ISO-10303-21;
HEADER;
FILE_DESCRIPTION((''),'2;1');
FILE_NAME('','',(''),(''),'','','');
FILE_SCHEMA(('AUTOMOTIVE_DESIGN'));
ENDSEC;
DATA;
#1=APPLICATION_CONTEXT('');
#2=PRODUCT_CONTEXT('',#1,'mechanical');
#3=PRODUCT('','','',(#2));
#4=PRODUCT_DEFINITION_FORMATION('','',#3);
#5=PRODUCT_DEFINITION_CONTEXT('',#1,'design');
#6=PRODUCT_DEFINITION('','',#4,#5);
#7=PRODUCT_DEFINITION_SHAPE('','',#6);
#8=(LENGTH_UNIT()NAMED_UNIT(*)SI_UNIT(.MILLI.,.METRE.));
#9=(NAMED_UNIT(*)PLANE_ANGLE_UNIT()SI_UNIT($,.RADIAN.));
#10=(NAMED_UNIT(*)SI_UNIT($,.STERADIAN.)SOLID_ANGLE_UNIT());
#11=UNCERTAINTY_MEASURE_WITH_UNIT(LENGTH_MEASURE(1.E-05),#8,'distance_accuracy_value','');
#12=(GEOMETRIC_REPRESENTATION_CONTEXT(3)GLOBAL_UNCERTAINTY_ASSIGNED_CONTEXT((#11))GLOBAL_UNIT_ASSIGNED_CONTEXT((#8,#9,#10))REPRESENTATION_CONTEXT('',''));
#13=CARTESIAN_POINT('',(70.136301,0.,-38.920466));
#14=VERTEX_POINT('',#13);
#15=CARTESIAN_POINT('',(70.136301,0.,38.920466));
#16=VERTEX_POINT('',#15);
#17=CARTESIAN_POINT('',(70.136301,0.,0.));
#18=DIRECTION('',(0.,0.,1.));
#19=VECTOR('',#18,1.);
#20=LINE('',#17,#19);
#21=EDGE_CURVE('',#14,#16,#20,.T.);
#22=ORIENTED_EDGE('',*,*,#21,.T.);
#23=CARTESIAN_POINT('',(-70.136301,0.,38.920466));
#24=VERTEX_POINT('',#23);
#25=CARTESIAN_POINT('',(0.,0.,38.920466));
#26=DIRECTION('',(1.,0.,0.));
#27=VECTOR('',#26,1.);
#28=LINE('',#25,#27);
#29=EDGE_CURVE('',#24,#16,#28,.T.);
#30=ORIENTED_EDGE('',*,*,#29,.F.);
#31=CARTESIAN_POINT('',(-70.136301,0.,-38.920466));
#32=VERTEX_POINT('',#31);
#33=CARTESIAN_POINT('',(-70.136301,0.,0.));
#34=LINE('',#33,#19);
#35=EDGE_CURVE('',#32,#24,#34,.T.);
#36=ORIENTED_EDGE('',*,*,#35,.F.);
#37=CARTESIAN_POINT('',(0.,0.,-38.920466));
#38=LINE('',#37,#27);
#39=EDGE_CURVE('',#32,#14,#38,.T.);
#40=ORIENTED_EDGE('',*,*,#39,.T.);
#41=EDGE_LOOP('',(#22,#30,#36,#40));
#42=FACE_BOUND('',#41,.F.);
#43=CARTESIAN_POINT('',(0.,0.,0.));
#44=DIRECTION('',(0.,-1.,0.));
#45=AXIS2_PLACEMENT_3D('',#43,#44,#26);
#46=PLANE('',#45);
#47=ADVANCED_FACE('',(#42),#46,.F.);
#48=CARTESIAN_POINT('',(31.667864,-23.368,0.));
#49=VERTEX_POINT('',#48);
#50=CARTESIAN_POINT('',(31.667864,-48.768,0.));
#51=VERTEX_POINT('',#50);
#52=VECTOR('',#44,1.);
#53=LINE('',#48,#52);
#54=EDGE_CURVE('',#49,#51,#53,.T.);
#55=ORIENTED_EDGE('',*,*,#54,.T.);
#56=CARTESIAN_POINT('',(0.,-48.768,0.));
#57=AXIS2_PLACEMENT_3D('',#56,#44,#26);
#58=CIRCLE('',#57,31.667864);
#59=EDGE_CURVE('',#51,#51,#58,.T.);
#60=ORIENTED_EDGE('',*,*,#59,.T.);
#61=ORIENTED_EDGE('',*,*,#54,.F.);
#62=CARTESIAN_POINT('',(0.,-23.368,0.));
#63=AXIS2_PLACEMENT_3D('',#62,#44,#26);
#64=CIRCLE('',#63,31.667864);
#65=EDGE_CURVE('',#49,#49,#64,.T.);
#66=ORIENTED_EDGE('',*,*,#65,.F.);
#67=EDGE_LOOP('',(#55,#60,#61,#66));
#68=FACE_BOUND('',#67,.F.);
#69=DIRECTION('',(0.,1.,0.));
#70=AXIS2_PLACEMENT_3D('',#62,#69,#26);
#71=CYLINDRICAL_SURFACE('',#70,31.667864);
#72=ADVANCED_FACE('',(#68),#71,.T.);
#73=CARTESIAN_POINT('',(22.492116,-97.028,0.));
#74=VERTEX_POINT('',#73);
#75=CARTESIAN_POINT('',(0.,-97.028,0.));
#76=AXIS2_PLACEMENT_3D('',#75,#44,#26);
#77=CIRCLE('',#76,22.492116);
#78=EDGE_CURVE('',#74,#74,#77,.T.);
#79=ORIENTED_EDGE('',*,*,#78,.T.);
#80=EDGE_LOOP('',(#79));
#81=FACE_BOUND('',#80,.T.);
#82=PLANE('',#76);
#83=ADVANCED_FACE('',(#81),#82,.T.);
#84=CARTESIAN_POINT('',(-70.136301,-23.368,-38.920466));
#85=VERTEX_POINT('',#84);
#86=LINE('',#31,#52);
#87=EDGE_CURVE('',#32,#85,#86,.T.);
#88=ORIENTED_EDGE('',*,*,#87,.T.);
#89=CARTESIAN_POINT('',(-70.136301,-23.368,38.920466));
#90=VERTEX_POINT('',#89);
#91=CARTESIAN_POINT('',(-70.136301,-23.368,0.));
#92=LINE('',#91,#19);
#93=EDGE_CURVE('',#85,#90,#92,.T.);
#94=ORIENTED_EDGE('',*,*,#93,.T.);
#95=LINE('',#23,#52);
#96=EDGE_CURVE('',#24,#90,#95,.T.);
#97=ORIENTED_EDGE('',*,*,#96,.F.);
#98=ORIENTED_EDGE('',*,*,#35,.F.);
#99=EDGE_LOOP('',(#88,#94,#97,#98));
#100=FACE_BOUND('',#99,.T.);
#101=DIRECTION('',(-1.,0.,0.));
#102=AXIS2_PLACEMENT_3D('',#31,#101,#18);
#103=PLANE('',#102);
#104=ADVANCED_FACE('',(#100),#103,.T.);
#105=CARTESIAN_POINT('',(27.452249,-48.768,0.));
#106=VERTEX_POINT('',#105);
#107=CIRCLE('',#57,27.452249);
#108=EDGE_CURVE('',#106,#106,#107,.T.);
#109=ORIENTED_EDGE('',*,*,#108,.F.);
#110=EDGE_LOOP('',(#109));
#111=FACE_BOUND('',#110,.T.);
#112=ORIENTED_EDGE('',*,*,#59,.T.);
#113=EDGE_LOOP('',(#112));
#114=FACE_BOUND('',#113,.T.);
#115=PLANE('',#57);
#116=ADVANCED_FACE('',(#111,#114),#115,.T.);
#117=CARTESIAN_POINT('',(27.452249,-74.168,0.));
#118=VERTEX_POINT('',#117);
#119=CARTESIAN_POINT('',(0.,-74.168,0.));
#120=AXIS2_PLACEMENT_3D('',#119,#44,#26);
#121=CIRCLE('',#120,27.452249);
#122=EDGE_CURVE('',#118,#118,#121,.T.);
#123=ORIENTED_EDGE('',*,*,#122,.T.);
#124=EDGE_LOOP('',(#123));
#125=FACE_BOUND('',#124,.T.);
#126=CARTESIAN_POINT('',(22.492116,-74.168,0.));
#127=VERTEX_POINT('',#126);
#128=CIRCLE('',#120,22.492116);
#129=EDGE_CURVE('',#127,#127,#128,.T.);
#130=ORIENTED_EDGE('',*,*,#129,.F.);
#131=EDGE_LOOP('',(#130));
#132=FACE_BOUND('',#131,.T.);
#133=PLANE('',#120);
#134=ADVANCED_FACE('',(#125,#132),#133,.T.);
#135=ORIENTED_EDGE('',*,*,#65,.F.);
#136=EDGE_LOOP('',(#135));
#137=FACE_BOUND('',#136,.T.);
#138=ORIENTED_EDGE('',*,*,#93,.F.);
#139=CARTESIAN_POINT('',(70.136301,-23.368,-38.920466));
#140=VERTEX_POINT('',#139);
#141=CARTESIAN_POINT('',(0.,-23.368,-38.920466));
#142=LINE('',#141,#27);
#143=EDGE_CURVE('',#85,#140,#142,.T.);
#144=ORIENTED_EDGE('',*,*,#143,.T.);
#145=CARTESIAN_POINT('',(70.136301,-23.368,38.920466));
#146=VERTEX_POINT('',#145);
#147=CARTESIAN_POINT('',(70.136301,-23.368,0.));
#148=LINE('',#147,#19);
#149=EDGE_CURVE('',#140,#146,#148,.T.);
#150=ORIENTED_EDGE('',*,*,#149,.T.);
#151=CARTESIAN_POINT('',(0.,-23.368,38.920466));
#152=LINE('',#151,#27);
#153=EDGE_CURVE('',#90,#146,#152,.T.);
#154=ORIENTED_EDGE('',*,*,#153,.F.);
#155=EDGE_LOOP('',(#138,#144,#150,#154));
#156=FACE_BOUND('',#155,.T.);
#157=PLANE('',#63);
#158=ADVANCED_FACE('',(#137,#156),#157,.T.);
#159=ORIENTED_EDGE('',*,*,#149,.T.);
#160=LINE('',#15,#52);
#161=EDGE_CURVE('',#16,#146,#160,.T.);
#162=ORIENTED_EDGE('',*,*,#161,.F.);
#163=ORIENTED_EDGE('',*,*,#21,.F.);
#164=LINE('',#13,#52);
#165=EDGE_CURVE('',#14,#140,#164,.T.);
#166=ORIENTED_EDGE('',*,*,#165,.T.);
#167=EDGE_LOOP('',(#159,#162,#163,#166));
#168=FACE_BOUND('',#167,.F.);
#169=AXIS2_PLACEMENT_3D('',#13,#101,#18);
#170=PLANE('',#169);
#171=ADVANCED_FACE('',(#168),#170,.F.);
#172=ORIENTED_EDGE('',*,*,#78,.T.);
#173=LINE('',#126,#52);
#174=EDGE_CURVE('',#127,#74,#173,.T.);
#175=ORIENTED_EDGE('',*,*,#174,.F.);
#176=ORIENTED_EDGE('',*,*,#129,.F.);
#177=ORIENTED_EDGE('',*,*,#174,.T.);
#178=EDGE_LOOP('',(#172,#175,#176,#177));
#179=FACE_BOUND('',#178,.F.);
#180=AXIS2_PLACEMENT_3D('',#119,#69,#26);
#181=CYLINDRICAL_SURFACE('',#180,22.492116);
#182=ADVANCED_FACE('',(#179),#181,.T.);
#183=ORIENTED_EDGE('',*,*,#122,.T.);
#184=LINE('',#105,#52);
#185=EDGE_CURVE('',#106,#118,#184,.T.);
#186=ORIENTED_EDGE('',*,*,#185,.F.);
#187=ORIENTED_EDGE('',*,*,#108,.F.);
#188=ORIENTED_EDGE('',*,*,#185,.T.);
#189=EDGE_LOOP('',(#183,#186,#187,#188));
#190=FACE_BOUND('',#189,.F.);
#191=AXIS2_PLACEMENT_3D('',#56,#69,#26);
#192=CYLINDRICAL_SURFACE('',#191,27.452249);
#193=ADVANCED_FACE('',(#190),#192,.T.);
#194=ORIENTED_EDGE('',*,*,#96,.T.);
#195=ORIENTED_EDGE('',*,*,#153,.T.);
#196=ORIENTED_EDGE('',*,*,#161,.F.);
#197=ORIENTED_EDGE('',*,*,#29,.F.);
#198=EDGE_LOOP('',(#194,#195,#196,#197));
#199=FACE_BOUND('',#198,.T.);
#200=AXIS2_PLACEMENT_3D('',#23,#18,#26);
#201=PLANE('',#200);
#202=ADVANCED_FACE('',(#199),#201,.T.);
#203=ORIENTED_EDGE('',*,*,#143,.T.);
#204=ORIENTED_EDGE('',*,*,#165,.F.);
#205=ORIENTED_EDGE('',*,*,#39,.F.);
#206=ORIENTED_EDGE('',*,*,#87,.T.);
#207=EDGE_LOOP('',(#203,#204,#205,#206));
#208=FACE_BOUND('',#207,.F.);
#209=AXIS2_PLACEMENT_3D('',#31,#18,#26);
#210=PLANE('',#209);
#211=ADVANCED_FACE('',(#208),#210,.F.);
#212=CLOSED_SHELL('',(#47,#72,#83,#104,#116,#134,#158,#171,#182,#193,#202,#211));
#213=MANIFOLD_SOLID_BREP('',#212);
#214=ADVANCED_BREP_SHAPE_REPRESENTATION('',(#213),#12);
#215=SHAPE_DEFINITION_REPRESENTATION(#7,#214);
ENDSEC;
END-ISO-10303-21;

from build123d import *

# Parameters (mm, degrees)
F0_W     = 140.272602
F0_H     = 77.840932
F1_DEPTH = 23.368
F2_R     = 31.667864
F3_DEPTH = 25.4
F4_R     = 27.452249
F5_DEPTH = 25.4
F6_R     = 22.492116
F7_DEPTH = 22.86


with BuildPart() as f1:
    # F0 (on Front) → F1 (new body)
    with BuildSketch(Plane.XZ):
        Rectangle(F0_W, F0_H)
    extrude(amount=F1_DEPTH)

    # F2 (on face) → F3 (join)
    with BuildSketch(Plane.XZ.offset(23.368)):
        Circle(F2_R)
    extrude(amount=F3_DEPTH)

    # F4 (on face) → F5 (join)
    with BuildSketch(Plane.XZ.offset(48.768)):
        Circle(F4_R)
    extrude(amount=F5_DEPTH)

    # F6 (on face) → F7 (join)
    with BuildSketch(Plane.XZ.offset(74.168)):
        Circle(F6_R)
    extrude(amount=F7_DEPTH)


solid = f1.part
